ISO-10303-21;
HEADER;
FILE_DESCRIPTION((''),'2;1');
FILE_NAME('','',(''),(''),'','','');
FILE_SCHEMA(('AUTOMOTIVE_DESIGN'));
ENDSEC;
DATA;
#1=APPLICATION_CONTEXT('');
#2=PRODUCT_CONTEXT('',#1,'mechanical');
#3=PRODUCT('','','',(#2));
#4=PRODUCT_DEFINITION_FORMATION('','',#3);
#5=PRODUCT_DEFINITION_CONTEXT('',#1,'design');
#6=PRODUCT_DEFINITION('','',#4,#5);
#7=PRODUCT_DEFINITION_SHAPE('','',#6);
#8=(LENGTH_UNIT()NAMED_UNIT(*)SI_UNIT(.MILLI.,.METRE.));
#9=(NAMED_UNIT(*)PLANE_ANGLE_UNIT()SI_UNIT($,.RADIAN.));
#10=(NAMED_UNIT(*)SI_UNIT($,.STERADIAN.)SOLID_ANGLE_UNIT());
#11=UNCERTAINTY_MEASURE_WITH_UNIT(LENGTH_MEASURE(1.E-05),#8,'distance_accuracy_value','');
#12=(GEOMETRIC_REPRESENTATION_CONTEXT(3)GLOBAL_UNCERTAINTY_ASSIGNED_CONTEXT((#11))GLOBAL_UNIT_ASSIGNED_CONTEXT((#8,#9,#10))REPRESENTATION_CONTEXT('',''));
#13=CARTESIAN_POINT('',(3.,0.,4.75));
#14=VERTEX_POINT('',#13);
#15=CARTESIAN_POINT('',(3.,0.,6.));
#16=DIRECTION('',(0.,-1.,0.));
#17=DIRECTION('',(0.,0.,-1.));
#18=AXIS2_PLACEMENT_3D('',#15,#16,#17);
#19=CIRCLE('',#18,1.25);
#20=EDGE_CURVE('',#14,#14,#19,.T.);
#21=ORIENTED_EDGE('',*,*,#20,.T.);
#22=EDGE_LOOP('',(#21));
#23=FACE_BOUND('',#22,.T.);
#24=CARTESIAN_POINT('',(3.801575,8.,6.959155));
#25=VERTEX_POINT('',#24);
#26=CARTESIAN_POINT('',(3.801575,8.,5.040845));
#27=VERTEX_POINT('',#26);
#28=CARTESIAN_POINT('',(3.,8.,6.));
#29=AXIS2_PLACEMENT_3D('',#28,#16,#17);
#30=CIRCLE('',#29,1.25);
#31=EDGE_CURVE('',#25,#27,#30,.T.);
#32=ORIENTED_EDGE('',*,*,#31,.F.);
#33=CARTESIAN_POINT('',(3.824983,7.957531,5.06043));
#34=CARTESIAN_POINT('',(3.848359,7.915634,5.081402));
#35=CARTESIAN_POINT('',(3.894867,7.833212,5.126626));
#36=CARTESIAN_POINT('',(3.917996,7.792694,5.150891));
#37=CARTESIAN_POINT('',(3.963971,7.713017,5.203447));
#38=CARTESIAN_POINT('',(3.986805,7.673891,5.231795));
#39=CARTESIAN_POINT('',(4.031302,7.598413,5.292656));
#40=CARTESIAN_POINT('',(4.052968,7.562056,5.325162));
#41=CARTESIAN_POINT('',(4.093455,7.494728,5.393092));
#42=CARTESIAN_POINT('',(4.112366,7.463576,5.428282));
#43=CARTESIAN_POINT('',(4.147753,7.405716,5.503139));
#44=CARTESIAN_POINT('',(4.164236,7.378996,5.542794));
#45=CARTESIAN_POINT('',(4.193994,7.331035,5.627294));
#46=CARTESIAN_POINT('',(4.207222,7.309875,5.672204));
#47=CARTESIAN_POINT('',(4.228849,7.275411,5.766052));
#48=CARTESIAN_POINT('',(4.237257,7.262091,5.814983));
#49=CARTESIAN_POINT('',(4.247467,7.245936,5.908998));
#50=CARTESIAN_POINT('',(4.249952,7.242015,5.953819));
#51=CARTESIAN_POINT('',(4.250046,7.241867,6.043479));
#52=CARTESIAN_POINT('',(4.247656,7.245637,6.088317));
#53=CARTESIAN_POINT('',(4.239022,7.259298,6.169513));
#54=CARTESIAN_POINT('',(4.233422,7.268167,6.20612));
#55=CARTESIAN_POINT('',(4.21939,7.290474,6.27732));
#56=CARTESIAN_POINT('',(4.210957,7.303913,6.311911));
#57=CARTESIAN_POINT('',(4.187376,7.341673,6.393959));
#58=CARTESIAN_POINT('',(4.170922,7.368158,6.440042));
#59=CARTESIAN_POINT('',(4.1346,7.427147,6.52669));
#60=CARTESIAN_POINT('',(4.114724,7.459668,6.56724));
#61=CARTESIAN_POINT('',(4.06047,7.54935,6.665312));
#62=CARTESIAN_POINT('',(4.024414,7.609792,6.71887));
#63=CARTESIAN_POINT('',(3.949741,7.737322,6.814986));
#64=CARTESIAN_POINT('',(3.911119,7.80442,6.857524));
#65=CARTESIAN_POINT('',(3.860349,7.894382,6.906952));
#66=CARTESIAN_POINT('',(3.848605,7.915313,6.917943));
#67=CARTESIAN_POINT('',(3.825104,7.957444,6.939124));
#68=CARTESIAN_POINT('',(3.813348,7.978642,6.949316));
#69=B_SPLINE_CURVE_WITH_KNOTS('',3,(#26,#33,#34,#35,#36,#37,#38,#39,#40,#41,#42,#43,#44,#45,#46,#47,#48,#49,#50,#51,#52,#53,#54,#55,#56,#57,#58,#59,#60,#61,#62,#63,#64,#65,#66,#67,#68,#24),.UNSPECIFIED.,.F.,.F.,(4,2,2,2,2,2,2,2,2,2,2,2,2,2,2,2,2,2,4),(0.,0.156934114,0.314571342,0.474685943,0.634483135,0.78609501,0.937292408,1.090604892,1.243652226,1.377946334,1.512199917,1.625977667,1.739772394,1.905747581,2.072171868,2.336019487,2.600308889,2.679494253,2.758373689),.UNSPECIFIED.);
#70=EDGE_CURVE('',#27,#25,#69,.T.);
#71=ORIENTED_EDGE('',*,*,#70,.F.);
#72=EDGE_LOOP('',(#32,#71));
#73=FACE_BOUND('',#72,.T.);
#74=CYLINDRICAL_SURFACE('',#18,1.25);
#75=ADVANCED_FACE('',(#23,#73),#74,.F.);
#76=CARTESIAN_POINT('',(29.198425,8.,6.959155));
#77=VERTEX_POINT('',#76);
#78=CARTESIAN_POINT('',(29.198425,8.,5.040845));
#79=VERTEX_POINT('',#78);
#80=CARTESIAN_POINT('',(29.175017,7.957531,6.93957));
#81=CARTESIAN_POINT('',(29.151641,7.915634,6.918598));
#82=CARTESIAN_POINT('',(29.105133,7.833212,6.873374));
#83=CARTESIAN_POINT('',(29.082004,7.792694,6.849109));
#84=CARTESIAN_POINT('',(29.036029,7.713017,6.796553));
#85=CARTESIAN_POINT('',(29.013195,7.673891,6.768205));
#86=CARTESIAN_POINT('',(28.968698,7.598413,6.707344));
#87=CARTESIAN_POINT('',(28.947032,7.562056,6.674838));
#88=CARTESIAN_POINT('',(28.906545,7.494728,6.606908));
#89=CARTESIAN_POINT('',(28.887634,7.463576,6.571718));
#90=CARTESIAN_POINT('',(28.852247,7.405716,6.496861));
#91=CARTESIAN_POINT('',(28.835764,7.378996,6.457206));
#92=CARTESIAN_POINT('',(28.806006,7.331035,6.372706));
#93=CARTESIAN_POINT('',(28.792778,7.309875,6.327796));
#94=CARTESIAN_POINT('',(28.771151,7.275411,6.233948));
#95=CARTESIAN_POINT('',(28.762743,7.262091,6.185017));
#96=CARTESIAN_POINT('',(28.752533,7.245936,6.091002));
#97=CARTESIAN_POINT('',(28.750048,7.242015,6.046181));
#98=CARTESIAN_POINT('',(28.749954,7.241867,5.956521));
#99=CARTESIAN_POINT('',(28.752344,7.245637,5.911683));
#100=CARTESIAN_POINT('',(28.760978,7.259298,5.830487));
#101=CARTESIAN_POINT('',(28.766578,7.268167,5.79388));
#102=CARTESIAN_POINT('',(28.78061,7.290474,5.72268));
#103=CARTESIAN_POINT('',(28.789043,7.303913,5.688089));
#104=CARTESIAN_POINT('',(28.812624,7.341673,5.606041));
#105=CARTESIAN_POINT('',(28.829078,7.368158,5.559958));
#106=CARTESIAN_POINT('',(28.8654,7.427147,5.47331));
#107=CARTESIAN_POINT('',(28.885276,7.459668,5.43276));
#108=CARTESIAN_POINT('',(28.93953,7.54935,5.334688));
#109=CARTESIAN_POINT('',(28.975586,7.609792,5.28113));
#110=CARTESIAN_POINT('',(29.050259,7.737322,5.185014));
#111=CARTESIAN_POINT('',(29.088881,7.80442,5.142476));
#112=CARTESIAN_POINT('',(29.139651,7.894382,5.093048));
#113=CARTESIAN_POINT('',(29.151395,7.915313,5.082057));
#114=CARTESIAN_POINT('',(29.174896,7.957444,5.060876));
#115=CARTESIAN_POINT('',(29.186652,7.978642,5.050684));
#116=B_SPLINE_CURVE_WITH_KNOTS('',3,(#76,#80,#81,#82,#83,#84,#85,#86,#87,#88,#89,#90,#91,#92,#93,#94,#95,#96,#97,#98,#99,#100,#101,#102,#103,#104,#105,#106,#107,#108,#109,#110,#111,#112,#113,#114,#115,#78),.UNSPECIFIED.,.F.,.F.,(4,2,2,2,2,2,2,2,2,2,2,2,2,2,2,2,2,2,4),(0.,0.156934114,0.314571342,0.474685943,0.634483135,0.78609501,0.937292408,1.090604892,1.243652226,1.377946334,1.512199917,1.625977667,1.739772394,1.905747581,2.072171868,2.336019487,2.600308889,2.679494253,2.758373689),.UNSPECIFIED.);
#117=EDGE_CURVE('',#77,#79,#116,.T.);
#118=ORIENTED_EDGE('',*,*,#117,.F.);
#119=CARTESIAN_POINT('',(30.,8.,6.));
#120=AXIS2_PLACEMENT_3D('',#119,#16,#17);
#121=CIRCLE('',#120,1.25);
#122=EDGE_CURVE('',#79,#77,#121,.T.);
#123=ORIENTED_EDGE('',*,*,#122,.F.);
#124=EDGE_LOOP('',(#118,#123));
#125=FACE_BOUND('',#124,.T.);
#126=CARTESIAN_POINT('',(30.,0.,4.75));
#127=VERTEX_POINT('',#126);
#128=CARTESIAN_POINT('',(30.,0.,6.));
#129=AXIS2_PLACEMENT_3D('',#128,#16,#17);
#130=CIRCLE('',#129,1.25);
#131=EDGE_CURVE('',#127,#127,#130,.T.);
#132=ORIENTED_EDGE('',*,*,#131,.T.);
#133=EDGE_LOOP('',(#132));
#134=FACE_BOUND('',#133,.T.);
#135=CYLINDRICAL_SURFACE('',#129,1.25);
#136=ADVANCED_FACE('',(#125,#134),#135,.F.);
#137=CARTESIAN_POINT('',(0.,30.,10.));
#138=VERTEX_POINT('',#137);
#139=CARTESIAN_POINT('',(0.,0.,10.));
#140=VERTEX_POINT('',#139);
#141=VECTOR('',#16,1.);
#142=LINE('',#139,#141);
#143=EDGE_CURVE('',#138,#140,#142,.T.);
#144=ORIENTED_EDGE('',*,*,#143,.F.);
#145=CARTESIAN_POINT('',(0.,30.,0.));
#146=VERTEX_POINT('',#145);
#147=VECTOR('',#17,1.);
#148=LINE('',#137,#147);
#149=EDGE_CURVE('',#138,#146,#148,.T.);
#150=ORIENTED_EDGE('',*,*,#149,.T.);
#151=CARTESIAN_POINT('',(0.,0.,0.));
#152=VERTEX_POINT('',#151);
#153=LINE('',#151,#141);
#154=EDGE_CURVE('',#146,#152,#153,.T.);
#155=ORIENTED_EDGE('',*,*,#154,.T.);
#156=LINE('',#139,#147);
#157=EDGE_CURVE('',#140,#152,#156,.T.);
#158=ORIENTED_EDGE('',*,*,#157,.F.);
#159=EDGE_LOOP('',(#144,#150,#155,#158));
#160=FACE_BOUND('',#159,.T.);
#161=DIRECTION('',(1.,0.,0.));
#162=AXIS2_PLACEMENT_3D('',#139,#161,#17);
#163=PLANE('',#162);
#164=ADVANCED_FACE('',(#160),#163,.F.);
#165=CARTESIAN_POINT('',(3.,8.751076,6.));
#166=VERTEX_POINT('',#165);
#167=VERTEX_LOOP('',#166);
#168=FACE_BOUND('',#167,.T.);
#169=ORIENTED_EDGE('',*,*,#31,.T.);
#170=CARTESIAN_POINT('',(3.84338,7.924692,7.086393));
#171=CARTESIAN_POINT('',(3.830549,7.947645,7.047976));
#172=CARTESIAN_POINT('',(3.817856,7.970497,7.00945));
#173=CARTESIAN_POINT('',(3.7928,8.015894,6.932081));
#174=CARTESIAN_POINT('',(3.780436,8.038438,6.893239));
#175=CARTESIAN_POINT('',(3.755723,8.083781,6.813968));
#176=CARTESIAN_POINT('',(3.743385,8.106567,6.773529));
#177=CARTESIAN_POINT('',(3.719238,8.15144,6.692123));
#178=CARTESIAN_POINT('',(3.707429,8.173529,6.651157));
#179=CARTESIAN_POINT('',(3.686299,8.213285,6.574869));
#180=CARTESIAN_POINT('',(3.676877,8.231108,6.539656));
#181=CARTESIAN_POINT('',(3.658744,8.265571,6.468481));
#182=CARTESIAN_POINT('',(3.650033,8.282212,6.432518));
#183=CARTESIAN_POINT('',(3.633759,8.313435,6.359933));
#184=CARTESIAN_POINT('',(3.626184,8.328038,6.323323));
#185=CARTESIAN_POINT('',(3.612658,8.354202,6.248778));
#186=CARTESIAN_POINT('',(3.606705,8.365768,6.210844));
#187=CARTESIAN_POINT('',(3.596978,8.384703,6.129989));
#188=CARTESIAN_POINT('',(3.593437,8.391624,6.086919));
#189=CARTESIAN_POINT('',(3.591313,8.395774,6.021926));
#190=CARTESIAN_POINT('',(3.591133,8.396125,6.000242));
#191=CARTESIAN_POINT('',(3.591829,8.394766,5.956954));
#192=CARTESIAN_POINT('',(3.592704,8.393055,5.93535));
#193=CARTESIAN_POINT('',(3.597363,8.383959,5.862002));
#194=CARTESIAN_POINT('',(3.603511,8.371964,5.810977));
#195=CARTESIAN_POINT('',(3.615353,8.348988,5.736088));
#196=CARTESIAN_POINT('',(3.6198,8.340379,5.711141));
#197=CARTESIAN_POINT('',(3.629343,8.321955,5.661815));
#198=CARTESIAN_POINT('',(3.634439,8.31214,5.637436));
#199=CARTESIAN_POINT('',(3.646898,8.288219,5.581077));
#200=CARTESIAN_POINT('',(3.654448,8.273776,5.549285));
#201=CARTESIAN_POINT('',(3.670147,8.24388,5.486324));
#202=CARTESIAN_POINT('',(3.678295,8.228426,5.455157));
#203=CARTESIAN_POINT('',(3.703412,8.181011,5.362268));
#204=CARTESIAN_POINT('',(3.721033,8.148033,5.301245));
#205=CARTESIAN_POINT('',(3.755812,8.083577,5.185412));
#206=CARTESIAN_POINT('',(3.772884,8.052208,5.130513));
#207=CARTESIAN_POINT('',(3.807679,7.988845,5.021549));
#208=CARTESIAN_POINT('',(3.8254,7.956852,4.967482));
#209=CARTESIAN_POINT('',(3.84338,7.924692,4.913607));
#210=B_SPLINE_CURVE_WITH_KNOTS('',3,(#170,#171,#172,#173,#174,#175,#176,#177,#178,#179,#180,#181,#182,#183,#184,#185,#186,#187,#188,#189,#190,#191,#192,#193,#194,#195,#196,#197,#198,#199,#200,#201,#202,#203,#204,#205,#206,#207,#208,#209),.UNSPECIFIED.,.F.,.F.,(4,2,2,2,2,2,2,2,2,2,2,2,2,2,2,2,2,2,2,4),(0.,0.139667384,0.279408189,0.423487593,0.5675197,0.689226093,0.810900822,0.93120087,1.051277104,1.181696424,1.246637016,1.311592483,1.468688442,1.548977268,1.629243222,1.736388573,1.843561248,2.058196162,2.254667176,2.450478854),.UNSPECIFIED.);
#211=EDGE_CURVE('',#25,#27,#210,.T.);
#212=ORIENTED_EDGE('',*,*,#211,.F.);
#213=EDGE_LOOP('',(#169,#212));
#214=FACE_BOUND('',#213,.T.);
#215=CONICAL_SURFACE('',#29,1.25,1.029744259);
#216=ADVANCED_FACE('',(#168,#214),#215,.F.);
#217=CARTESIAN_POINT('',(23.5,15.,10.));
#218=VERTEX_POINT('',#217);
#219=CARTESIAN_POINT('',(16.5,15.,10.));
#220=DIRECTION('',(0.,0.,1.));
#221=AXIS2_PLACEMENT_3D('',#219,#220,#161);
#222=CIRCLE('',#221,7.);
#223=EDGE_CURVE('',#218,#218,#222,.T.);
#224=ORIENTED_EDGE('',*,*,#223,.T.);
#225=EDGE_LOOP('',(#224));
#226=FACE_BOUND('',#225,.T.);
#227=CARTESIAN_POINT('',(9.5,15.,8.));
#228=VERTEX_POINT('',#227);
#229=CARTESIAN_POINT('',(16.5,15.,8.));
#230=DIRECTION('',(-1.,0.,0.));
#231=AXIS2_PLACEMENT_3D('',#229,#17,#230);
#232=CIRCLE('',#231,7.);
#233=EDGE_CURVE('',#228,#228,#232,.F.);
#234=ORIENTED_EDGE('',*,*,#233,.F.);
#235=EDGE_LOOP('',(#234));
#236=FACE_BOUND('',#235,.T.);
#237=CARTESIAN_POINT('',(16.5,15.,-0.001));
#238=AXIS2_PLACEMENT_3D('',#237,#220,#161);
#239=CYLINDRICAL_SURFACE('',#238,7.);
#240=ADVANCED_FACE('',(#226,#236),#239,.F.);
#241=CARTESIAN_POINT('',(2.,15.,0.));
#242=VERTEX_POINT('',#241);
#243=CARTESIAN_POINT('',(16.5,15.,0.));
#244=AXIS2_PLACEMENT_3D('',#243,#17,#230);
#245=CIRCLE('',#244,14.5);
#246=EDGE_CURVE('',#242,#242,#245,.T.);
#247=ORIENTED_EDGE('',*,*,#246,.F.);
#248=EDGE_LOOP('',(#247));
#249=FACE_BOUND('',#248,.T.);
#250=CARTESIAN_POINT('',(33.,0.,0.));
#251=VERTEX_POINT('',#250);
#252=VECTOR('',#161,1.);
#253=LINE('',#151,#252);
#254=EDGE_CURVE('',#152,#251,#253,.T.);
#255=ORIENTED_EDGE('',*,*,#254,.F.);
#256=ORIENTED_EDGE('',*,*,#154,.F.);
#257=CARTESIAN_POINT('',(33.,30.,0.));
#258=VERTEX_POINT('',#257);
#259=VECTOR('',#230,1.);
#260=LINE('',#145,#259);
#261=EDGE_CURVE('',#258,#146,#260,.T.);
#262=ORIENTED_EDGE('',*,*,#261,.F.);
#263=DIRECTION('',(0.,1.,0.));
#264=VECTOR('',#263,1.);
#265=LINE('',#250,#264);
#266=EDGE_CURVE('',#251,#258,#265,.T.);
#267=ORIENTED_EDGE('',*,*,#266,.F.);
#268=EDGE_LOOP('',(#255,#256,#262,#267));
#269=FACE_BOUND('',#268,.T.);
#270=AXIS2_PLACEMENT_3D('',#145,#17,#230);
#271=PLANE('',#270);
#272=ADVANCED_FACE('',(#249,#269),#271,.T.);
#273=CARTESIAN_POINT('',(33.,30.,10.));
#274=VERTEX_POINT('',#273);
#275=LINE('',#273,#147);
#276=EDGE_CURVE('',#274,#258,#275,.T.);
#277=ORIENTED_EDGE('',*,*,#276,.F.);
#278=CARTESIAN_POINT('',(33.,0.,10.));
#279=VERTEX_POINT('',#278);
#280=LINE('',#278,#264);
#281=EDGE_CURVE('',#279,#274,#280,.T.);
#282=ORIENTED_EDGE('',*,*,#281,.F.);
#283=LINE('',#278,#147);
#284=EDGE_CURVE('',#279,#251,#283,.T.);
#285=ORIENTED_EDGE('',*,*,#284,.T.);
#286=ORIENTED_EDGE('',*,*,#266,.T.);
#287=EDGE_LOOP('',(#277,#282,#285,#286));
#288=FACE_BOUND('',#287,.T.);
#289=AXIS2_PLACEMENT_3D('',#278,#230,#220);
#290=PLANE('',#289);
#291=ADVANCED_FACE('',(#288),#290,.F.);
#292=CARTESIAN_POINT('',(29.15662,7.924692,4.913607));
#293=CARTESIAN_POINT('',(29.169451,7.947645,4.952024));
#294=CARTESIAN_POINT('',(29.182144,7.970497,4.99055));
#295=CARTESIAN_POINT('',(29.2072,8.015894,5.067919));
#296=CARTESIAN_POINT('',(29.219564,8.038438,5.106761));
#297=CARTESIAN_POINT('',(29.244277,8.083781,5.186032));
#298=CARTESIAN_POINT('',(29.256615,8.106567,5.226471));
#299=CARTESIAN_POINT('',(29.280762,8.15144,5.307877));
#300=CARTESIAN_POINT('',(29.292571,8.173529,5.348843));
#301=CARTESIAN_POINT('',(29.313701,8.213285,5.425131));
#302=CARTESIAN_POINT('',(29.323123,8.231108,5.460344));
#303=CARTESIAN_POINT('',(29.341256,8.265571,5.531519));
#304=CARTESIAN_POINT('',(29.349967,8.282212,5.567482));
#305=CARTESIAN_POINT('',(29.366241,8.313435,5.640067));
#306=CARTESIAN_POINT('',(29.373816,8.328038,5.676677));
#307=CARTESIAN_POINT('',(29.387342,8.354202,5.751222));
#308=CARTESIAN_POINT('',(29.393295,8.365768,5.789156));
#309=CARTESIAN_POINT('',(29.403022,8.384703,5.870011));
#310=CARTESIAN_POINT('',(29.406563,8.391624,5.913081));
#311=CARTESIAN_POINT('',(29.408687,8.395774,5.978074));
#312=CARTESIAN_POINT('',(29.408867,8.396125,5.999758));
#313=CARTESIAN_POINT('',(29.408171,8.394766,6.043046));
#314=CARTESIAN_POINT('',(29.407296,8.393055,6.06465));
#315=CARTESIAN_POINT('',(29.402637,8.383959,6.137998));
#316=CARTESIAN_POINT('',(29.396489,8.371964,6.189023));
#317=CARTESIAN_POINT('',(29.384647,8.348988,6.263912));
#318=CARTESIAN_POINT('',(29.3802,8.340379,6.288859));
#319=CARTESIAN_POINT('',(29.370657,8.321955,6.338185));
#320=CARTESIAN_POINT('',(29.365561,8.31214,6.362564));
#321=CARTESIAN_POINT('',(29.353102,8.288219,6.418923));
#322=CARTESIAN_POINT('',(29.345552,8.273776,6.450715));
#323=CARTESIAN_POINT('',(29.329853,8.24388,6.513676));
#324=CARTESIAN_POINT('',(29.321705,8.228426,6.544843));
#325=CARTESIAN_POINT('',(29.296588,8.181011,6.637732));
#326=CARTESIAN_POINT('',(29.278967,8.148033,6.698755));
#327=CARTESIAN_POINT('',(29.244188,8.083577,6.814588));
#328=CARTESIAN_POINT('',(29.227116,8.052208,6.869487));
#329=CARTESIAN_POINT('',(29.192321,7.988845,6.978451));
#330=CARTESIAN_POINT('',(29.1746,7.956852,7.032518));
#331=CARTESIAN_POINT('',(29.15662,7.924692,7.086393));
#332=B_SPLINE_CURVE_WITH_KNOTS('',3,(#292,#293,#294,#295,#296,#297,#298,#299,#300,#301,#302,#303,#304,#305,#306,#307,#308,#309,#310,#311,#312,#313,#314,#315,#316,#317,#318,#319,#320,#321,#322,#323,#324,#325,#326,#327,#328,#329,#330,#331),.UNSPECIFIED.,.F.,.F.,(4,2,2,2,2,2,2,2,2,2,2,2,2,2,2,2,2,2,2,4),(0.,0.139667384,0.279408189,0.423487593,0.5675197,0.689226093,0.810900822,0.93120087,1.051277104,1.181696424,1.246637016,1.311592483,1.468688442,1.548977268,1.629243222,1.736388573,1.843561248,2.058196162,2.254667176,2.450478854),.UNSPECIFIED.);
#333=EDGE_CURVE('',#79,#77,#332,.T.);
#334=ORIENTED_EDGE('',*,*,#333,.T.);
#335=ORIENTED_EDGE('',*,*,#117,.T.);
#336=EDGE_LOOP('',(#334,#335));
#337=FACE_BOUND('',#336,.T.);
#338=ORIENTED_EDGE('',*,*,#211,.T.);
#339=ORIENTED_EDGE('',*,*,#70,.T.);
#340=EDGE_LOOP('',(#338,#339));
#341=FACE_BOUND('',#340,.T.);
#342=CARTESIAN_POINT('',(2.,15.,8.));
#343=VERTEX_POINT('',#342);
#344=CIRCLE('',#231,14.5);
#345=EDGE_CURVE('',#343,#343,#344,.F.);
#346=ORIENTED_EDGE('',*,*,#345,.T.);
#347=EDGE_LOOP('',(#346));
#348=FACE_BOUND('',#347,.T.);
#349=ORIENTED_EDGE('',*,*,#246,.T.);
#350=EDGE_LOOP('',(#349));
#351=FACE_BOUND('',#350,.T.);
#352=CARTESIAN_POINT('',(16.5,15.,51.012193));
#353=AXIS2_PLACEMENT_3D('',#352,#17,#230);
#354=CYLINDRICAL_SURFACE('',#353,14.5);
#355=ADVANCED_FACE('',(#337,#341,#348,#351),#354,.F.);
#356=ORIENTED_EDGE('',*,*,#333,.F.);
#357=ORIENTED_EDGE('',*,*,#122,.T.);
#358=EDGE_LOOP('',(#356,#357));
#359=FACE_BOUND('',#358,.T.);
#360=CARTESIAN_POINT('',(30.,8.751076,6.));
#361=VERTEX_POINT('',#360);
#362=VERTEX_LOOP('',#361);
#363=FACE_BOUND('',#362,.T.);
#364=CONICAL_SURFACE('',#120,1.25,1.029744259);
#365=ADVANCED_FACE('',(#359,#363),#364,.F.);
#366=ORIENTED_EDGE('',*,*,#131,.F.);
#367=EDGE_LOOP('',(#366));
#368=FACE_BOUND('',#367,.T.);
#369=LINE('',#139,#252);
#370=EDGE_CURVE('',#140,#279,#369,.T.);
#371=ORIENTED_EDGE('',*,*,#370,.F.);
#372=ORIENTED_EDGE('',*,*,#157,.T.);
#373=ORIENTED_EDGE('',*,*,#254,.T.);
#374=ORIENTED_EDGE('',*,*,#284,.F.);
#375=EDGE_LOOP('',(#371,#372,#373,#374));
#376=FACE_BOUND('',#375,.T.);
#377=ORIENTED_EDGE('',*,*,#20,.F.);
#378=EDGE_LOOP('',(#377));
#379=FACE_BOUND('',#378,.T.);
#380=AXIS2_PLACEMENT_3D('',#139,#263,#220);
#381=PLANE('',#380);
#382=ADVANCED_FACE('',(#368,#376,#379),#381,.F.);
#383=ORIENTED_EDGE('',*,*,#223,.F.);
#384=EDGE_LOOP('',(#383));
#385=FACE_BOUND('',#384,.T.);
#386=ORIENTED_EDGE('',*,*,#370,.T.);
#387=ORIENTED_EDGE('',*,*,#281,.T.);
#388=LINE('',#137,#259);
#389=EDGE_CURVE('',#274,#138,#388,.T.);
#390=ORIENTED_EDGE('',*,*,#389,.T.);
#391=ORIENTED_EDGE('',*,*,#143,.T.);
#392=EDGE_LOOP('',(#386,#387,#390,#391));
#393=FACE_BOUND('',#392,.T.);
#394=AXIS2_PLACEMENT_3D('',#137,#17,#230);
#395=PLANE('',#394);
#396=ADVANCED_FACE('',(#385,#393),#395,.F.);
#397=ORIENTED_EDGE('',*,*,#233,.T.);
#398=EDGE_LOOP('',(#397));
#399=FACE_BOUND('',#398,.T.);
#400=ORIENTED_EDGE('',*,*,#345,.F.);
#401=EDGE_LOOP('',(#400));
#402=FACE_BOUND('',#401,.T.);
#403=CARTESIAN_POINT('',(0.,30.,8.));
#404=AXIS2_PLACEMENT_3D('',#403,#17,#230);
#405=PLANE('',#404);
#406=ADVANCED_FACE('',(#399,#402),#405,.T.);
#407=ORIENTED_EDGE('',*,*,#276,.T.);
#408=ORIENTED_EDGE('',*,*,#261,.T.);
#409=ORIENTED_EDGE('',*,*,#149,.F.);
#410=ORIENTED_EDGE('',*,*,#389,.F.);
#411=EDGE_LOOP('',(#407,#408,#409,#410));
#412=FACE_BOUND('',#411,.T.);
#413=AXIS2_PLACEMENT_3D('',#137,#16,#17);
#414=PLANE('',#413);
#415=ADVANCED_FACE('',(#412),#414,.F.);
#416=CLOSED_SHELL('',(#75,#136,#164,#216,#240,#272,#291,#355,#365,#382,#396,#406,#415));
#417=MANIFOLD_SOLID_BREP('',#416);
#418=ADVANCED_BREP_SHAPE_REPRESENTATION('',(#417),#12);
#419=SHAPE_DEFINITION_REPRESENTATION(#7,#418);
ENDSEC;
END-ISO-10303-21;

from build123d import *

# Parameters (mm, degrees)
SKETCH1_W                   = 33
SKETCH1_H                   = 30
BOSS_EXTRUDE1_DEPTH         = 10
CUT_EXTRUDE1_REACH          = 12
SKETCH2_R                   = 7
SKETCH3_R                   = 14.5
CUT_EXTRUDE2_DEPTH          = 8
TAP_DRILL_FOR_M3_TAP2_D     = 2.5
TAP_DRILL_FOR_M3_TAP2_DEPTH = 8
TAP_DRILL_FOR_M3_TAP2_TIP   = 0.751075774


with BuildPart() as part:
    # Sketch1 → Boss-Extrude1 (new body)
    with BuildSketch(Plane.XY):
        with Locations((16.5, 15)):
            Rectangle(SKETCH1_W, SKETCH1_H)
    extrude(amount=BOSS_EXTRUDE1_DEPTH)

    # Sketch2 → Cut-Extrude1 (cut, up to next)
    with BuildSketch(Plane.XY.offset(10), mode=Mode.PRIVATE) as cut_extrude1_sk1:
        with Locations((16.5, 15)):
            Circle(SKETCH2_R)
    cut_extrude1_tool1 = extrude(cut_extrude1_sk1.sketch, amount=-CUT_EXTRUDE1_REACH, mode=Mode.PRIVATE) & part.part
    add(cut_extrude1_tool1.solids().sort_by_distance((16.5, 15, 10))[0], mode=Mode.SUBTRACT)

    # Sketch3 → Cut-Extrude2 (cut)
    with BuildSketch(Plane(origin=(0, 0, 0), x_dir=(-1, 0, 0), z_dir=(0, 0, -1))):
        with Locations((-16.5, 15)):
            Circle(SKETCH3_R)
    extrude(amount=-CUT_EXTRUDE2_DEPTH, mode=Mode.SUBTRACT)

    # Tap Drill for M3 Tap2
    with Locations(Plane(origin=(0, 0, 0), x_dir=(-1, 0, 0), z_dir=(0, -1, 0))):
        with Locations((-3, -6), (-30, -6)):
            Hole(TAP_DRILL_FOR_M3_TAP2_D / 2, depth=TAP_DRILL_FOR_M3_TAP2_DEPTH)
            with Locations((0, 0, -(TAP_DRILL_FOR_M3_TAP2_DEPTH + TAP_DRILL_FOR_M3_TAP2_TIP / 2))):  # 118° drill point
                Cone(0, TAP_DRILL_FOR_M3_TAP2_D / 2, TAP_DRILL_FOR_M3_TAP2_TIP, mode=Mode.SUBTRACT)


solid = part.part
